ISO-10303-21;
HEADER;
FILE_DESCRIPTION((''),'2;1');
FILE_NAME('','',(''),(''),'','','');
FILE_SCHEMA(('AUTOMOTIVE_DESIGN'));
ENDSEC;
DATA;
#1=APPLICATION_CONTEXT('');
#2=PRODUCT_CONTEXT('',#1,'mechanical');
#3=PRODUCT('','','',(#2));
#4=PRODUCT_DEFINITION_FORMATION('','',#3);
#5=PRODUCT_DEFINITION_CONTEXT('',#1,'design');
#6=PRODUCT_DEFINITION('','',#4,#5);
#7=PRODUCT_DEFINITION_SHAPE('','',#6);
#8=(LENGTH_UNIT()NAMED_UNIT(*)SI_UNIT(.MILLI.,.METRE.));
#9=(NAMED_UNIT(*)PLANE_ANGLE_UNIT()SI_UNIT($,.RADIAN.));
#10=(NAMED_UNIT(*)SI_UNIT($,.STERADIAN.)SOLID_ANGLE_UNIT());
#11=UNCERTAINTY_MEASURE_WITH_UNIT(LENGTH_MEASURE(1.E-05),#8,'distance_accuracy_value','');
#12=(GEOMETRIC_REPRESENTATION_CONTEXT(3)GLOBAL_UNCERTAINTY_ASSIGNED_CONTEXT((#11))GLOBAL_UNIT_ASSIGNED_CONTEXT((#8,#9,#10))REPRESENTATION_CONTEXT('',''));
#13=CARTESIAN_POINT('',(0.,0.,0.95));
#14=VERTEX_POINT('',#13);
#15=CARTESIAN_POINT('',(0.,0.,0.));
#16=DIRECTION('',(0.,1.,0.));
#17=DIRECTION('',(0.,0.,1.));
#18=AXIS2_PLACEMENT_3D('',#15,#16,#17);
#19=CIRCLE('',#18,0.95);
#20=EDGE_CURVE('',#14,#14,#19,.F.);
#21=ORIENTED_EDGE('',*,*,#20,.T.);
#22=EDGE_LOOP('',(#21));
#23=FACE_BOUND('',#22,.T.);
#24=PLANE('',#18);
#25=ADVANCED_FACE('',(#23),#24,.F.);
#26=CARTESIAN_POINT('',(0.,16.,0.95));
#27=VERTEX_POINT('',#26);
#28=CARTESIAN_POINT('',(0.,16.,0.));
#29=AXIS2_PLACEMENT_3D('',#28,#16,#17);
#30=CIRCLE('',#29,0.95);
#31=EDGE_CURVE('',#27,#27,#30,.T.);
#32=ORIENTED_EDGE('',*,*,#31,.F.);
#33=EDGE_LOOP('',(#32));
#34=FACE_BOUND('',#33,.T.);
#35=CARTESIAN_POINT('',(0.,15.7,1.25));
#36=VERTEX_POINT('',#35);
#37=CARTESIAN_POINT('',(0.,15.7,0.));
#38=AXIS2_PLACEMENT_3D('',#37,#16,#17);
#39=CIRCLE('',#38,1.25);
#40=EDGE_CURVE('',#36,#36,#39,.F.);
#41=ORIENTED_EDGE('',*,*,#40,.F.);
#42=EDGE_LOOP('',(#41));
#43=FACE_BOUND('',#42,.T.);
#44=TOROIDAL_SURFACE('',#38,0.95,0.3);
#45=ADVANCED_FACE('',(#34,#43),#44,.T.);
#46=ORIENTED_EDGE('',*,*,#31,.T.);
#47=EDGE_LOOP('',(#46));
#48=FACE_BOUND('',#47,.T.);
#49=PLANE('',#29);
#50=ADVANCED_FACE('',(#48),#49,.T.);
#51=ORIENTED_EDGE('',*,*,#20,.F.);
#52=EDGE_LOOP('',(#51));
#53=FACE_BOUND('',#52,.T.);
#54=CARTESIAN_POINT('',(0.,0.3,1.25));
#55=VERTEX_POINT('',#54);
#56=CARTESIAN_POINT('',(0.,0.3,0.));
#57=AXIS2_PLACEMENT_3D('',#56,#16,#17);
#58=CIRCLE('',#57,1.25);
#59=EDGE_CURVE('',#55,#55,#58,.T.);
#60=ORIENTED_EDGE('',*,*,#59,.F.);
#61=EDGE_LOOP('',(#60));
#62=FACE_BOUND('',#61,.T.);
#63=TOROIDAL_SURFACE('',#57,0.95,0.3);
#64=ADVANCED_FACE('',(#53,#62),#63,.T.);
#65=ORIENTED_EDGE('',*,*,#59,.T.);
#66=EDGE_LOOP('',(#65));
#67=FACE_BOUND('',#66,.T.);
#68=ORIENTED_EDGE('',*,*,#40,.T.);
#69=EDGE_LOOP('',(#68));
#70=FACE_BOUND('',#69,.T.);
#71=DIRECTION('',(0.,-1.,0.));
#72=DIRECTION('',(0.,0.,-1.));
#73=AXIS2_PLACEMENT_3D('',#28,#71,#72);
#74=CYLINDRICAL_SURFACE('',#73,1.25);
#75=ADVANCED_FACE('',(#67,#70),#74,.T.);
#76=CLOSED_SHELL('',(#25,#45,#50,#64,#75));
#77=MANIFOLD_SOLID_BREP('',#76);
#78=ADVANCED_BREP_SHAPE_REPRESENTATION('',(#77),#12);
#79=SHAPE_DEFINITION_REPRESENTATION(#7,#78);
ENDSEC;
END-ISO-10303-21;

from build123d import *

# Parameters (mm, degrees)
SKETCH1_R             = 1.25
PROFILE_EXTRUDE_DEPTH = 16
DOVEL_FILET_R         = 0.3


with BuildPart() as part:
    # Sketch1 → profile_extrude (new body)
    with BuildSketch(Plane(origin=(0, 0, 0), x_dir=(1, 0, 0), z_dir=(0, 1, 0))):
        with Locations(Location((0, 0, 0), (0, 0, 270))):
            Circle(SKETCH1_R)
    extrude(amount=PROFILE_EXTRUDE_DEPTH)

    # dovel _filet
    dovel_filet_edges = [part.edges().sort_by_distance(p)[0] for p in [
        (0, 0, -1.25),
        (0, 16, -1.25),
    ]]
    fillet(dovel_filet_edges, radius=DOVEL_FILET_R)


solid = part.part
